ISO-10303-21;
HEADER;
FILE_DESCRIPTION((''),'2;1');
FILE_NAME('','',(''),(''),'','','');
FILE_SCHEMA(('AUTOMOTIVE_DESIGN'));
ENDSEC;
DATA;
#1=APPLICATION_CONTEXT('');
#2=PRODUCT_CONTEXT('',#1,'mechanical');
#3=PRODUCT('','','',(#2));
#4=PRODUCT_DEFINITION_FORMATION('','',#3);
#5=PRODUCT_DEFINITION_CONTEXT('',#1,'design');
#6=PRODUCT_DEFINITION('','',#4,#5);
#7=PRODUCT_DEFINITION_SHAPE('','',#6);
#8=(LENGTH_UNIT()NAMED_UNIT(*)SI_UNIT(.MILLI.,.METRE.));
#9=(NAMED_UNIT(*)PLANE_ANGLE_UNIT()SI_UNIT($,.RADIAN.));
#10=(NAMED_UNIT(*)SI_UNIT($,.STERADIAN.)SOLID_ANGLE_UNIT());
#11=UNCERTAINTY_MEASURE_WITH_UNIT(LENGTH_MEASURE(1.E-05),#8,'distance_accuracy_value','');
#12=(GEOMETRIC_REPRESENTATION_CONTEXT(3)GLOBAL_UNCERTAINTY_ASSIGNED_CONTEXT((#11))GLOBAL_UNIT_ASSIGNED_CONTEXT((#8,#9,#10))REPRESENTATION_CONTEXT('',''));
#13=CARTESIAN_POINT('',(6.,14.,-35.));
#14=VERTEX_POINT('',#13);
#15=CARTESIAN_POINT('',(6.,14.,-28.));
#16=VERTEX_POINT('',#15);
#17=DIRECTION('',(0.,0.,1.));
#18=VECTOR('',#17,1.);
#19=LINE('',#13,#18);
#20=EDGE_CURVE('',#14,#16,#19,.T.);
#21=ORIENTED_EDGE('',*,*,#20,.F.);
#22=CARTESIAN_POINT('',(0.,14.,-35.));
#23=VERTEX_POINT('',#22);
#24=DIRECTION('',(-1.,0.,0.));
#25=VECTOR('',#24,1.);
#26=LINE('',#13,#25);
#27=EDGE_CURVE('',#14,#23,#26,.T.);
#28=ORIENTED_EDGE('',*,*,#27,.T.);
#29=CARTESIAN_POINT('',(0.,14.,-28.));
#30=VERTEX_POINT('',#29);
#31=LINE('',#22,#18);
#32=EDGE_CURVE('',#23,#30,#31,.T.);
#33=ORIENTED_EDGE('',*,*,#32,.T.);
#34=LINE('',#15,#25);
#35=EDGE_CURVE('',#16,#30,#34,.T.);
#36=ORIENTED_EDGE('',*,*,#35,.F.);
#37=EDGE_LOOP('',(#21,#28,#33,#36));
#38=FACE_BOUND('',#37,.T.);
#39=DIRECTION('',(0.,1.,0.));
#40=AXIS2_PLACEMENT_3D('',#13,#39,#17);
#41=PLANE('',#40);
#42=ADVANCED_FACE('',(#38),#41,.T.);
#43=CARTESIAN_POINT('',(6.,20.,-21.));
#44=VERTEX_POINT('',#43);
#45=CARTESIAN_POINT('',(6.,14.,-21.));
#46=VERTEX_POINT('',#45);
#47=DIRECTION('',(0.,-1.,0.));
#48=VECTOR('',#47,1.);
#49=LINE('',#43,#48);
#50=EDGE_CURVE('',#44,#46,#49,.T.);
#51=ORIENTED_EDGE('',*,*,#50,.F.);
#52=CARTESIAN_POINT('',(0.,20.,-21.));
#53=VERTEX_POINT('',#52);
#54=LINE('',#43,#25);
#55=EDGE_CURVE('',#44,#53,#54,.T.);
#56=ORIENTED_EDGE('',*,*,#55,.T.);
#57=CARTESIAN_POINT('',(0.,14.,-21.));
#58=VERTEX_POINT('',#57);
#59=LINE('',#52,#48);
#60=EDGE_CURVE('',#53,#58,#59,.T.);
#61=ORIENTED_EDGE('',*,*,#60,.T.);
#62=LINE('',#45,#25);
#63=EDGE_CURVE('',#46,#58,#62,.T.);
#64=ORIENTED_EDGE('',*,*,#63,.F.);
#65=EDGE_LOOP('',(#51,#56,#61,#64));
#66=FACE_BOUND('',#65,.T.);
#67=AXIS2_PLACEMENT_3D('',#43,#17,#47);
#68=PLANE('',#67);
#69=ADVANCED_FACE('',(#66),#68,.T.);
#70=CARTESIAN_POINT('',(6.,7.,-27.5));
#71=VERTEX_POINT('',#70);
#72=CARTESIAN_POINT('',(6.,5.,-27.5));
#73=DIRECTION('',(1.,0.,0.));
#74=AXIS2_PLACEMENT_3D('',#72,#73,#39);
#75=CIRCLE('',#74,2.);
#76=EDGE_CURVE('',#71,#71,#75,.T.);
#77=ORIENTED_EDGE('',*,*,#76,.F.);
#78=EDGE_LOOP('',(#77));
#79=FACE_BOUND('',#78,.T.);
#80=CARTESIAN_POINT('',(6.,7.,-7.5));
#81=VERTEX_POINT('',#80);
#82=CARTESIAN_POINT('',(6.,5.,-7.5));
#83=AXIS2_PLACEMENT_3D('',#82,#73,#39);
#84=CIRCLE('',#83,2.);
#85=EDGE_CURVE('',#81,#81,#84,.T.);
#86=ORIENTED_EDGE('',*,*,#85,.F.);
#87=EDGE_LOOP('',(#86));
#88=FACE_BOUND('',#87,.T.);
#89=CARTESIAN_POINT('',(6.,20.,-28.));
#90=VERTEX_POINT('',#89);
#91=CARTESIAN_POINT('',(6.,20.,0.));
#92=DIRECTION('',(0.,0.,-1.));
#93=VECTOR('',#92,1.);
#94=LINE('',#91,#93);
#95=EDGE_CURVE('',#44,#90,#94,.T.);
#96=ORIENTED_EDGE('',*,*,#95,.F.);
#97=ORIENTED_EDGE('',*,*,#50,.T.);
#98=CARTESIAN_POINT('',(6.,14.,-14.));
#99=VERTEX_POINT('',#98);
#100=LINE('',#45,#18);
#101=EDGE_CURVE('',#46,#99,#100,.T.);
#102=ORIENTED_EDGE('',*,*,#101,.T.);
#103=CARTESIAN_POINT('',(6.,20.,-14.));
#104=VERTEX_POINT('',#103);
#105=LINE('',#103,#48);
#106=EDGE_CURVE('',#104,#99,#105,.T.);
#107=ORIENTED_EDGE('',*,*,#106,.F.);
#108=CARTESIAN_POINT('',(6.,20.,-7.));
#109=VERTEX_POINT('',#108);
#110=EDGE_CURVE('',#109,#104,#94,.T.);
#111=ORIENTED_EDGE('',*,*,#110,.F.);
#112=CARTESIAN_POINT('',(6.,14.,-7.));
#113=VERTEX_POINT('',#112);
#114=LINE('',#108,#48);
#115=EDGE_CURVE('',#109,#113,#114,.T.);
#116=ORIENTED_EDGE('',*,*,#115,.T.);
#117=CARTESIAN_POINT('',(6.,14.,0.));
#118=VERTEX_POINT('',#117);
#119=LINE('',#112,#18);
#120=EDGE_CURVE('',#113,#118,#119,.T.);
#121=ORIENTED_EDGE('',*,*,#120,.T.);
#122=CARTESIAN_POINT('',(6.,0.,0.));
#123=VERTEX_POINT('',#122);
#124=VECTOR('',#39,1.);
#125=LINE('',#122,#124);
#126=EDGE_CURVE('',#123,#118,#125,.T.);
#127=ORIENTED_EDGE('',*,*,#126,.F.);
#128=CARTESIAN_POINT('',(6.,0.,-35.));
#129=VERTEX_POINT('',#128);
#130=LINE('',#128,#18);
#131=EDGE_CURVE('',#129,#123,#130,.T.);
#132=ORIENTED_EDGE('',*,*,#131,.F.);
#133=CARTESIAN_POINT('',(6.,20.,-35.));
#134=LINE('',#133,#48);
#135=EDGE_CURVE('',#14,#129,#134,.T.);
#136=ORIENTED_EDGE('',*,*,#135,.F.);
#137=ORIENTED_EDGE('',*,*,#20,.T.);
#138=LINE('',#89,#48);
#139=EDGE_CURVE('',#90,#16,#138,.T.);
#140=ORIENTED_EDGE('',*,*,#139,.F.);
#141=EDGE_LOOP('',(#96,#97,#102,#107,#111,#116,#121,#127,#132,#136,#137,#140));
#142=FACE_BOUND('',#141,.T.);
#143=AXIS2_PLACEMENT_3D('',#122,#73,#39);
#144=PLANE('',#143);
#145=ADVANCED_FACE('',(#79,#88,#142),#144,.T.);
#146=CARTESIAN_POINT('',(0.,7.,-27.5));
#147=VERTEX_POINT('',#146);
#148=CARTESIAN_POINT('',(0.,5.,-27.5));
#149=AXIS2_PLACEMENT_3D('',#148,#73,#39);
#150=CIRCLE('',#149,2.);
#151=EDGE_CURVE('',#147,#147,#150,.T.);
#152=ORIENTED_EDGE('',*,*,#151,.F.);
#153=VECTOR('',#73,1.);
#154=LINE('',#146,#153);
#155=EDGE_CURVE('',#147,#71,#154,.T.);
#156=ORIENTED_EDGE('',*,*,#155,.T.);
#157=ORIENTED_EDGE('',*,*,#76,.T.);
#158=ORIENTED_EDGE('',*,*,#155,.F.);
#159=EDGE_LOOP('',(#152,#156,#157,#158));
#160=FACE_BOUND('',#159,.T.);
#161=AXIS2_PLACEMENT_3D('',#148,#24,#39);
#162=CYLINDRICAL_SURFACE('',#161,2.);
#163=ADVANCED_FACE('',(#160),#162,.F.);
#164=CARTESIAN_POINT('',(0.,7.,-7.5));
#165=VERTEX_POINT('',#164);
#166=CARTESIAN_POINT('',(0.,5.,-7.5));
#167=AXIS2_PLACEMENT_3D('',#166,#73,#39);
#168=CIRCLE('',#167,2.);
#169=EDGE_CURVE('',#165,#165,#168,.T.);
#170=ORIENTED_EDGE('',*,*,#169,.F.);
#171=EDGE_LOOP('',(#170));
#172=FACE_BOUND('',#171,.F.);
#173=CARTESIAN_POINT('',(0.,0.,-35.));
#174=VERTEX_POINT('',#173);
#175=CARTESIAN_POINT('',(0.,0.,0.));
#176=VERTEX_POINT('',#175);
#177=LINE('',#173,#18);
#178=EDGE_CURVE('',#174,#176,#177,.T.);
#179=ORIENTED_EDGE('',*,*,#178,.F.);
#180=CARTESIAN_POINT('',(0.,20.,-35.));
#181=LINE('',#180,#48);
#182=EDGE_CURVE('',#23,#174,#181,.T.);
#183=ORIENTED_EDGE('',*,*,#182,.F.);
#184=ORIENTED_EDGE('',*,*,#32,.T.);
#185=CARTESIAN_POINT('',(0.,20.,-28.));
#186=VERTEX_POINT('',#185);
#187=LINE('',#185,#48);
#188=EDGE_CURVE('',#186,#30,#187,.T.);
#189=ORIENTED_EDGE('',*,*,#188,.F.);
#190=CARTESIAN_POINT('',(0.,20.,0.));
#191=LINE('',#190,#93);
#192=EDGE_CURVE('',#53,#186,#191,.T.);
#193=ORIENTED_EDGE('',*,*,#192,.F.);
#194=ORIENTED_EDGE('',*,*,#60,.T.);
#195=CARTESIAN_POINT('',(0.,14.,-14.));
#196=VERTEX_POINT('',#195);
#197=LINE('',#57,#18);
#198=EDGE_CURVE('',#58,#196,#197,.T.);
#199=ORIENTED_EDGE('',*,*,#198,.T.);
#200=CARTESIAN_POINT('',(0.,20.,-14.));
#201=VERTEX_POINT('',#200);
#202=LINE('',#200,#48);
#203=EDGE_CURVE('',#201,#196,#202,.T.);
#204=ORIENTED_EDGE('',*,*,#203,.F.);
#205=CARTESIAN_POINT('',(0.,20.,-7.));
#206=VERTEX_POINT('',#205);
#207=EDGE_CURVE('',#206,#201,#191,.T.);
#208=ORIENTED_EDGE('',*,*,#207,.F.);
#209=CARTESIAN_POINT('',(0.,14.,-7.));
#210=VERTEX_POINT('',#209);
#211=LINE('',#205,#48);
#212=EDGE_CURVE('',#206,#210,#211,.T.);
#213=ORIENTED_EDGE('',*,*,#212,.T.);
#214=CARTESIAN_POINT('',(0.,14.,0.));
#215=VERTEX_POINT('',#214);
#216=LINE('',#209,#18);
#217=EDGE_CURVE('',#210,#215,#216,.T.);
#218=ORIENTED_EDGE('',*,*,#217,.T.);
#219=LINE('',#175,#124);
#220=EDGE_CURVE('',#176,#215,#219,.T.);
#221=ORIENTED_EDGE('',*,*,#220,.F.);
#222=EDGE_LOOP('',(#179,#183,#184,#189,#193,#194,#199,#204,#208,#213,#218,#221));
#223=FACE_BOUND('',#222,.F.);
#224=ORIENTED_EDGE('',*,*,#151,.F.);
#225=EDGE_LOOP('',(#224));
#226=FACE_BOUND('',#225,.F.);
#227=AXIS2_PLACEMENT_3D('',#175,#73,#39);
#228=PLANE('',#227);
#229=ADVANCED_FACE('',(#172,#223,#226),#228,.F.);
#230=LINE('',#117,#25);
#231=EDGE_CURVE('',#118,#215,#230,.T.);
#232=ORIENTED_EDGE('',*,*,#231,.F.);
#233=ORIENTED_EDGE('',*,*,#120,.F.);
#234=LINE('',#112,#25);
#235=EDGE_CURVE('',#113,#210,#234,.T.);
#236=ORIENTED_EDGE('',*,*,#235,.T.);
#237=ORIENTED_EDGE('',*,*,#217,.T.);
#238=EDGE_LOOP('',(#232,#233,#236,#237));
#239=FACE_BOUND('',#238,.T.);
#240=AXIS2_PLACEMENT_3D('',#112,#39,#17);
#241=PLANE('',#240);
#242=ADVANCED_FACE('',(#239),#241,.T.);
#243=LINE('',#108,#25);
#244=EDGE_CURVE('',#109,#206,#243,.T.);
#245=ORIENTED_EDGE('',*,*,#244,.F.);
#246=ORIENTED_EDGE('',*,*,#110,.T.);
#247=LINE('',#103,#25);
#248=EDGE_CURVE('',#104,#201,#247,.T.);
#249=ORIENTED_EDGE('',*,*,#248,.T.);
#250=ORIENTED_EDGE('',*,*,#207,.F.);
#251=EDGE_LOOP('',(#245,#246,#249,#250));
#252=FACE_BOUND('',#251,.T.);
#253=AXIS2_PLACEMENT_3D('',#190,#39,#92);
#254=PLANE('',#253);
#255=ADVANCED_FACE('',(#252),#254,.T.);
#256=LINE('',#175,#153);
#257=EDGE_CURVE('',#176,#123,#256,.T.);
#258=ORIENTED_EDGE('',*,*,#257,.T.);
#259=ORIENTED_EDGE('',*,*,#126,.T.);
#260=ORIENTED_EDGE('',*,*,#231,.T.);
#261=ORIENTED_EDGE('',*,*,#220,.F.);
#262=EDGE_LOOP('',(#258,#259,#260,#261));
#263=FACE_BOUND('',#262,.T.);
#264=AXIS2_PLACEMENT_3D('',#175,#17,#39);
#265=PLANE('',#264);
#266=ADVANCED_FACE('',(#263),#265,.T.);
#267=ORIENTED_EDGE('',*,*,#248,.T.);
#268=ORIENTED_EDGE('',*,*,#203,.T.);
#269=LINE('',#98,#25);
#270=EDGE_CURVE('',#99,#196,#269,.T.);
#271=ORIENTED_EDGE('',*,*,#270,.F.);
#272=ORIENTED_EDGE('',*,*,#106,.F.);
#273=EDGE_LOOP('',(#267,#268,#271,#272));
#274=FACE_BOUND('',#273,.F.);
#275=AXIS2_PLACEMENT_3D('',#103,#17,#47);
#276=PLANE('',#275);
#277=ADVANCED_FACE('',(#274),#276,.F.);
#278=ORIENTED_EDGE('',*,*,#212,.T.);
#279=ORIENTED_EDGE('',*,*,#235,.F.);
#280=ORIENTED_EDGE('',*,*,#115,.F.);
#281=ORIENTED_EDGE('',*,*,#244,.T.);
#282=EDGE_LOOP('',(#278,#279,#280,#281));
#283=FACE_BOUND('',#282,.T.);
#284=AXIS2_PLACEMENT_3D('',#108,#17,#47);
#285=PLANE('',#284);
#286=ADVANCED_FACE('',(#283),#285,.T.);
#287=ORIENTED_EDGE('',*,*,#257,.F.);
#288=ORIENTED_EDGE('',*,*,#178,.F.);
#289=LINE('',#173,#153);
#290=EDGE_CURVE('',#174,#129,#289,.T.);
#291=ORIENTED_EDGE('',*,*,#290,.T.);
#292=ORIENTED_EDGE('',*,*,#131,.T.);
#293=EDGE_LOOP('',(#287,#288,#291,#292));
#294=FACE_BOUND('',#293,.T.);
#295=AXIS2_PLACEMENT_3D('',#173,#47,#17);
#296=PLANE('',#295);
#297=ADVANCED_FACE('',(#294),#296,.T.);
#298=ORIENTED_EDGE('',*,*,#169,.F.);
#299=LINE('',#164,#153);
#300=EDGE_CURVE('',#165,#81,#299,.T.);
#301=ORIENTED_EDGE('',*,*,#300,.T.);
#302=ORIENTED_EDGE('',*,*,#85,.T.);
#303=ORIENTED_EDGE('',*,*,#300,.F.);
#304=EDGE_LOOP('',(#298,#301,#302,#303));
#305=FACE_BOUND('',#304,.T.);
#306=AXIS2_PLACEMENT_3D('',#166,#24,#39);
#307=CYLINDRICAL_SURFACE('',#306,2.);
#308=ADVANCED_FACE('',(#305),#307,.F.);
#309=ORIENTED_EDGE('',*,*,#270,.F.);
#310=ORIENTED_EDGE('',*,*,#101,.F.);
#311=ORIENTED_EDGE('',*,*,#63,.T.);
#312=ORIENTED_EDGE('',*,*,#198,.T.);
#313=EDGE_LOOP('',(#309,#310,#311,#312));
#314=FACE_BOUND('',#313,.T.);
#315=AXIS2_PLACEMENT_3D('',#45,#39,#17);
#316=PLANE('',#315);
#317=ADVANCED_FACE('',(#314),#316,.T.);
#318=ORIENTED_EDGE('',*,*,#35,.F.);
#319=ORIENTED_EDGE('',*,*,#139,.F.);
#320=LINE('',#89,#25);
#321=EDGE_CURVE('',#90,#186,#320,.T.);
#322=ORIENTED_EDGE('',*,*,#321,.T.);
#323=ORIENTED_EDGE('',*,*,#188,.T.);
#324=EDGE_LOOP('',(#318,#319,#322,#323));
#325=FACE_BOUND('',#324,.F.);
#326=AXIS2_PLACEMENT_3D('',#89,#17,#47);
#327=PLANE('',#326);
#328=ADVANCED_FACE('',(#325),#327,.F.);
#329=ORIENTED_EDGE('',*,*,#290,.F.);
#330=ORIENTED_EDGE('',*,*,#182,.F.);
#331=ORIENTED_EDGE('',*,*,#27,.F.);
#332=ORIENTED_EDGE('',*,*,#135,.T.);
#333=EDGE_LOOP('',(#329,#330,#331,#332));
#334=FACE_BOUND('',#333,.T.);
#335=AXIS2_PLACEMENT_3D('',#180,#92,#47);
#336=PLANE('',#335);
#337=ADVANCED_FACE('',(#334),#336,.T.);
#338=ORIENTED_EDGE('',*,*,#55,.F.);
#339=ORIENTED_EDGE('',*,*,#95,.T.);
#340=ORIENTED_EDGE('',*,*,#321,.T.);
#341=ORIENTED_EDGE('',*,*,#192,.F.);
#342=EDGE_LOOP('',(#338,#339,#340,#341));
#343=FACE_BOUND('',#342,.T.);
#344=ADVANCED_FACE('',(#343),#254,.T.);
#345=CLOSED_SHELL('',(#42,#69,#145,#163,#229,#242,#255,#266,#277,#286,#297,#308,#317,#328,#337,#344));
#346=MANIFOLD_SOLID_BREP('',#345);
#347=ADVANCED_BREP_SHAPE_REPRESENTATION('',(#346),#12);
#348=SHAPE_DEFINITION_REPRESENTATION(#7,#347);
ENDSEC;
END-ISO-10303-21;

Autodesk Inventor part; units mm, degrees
ref_plane "YZ Plane" through (0, 0, 0) normal (1, 0, 0) x (0, 1, 0)
ref_plane "XZ Plane" through (0, 0, 0) normal (0, 1, 0) x (-1, 0, 0)
ref_plane "XY Plane" through (0, 0, 0) normal (0, 0, 1) x (1, 0, 0)
sketch "Sketch1" plane through (0, 0, 0) normal (1, 0, 0) x (0, 1, 0)
  line L0 (0, 0) -> (20, 0)
  line L1 (20, 0) -> (20, -35)
  line L2 (20, -35) -> (0, -35)
  line L3 (0, -35) -> (0, 0)
  circle A0 centre (5, -7.5) radius 2
  circle A1 centre (5, -27.5) radius 2
  dimension "d0" = 20
  dimension "d1" = 35
  dimension "d5" = 4
  dimension "d6" = 4
extrude "Extrusion1" add sketch "Sketch1" along normal blind 6
sketch "Sketch2" plane through (6, 0, 0) normal (1, 0, 0) x (0, 0, -1)
  line L0 (0, 20) -> (0, 0) projected
  line L1 (0, 20) -> (7, 20)
  line L2 (7, 20) -> (7, 14)
  line L3 (7, 14) -> (0, 14)
  line L4 (0, 14) -> (0, 20)
  dimension "d9" = 7
  dimension "d10" = 6
extrude "Extrusion2" cut sketch "Sketch2" against normal blind 6
pattern_linear "Rectangular Pattern1" count 3 spacing 14 along (0, 0, -1) of "Extrusion2"
properties part number "g_mount 2"
